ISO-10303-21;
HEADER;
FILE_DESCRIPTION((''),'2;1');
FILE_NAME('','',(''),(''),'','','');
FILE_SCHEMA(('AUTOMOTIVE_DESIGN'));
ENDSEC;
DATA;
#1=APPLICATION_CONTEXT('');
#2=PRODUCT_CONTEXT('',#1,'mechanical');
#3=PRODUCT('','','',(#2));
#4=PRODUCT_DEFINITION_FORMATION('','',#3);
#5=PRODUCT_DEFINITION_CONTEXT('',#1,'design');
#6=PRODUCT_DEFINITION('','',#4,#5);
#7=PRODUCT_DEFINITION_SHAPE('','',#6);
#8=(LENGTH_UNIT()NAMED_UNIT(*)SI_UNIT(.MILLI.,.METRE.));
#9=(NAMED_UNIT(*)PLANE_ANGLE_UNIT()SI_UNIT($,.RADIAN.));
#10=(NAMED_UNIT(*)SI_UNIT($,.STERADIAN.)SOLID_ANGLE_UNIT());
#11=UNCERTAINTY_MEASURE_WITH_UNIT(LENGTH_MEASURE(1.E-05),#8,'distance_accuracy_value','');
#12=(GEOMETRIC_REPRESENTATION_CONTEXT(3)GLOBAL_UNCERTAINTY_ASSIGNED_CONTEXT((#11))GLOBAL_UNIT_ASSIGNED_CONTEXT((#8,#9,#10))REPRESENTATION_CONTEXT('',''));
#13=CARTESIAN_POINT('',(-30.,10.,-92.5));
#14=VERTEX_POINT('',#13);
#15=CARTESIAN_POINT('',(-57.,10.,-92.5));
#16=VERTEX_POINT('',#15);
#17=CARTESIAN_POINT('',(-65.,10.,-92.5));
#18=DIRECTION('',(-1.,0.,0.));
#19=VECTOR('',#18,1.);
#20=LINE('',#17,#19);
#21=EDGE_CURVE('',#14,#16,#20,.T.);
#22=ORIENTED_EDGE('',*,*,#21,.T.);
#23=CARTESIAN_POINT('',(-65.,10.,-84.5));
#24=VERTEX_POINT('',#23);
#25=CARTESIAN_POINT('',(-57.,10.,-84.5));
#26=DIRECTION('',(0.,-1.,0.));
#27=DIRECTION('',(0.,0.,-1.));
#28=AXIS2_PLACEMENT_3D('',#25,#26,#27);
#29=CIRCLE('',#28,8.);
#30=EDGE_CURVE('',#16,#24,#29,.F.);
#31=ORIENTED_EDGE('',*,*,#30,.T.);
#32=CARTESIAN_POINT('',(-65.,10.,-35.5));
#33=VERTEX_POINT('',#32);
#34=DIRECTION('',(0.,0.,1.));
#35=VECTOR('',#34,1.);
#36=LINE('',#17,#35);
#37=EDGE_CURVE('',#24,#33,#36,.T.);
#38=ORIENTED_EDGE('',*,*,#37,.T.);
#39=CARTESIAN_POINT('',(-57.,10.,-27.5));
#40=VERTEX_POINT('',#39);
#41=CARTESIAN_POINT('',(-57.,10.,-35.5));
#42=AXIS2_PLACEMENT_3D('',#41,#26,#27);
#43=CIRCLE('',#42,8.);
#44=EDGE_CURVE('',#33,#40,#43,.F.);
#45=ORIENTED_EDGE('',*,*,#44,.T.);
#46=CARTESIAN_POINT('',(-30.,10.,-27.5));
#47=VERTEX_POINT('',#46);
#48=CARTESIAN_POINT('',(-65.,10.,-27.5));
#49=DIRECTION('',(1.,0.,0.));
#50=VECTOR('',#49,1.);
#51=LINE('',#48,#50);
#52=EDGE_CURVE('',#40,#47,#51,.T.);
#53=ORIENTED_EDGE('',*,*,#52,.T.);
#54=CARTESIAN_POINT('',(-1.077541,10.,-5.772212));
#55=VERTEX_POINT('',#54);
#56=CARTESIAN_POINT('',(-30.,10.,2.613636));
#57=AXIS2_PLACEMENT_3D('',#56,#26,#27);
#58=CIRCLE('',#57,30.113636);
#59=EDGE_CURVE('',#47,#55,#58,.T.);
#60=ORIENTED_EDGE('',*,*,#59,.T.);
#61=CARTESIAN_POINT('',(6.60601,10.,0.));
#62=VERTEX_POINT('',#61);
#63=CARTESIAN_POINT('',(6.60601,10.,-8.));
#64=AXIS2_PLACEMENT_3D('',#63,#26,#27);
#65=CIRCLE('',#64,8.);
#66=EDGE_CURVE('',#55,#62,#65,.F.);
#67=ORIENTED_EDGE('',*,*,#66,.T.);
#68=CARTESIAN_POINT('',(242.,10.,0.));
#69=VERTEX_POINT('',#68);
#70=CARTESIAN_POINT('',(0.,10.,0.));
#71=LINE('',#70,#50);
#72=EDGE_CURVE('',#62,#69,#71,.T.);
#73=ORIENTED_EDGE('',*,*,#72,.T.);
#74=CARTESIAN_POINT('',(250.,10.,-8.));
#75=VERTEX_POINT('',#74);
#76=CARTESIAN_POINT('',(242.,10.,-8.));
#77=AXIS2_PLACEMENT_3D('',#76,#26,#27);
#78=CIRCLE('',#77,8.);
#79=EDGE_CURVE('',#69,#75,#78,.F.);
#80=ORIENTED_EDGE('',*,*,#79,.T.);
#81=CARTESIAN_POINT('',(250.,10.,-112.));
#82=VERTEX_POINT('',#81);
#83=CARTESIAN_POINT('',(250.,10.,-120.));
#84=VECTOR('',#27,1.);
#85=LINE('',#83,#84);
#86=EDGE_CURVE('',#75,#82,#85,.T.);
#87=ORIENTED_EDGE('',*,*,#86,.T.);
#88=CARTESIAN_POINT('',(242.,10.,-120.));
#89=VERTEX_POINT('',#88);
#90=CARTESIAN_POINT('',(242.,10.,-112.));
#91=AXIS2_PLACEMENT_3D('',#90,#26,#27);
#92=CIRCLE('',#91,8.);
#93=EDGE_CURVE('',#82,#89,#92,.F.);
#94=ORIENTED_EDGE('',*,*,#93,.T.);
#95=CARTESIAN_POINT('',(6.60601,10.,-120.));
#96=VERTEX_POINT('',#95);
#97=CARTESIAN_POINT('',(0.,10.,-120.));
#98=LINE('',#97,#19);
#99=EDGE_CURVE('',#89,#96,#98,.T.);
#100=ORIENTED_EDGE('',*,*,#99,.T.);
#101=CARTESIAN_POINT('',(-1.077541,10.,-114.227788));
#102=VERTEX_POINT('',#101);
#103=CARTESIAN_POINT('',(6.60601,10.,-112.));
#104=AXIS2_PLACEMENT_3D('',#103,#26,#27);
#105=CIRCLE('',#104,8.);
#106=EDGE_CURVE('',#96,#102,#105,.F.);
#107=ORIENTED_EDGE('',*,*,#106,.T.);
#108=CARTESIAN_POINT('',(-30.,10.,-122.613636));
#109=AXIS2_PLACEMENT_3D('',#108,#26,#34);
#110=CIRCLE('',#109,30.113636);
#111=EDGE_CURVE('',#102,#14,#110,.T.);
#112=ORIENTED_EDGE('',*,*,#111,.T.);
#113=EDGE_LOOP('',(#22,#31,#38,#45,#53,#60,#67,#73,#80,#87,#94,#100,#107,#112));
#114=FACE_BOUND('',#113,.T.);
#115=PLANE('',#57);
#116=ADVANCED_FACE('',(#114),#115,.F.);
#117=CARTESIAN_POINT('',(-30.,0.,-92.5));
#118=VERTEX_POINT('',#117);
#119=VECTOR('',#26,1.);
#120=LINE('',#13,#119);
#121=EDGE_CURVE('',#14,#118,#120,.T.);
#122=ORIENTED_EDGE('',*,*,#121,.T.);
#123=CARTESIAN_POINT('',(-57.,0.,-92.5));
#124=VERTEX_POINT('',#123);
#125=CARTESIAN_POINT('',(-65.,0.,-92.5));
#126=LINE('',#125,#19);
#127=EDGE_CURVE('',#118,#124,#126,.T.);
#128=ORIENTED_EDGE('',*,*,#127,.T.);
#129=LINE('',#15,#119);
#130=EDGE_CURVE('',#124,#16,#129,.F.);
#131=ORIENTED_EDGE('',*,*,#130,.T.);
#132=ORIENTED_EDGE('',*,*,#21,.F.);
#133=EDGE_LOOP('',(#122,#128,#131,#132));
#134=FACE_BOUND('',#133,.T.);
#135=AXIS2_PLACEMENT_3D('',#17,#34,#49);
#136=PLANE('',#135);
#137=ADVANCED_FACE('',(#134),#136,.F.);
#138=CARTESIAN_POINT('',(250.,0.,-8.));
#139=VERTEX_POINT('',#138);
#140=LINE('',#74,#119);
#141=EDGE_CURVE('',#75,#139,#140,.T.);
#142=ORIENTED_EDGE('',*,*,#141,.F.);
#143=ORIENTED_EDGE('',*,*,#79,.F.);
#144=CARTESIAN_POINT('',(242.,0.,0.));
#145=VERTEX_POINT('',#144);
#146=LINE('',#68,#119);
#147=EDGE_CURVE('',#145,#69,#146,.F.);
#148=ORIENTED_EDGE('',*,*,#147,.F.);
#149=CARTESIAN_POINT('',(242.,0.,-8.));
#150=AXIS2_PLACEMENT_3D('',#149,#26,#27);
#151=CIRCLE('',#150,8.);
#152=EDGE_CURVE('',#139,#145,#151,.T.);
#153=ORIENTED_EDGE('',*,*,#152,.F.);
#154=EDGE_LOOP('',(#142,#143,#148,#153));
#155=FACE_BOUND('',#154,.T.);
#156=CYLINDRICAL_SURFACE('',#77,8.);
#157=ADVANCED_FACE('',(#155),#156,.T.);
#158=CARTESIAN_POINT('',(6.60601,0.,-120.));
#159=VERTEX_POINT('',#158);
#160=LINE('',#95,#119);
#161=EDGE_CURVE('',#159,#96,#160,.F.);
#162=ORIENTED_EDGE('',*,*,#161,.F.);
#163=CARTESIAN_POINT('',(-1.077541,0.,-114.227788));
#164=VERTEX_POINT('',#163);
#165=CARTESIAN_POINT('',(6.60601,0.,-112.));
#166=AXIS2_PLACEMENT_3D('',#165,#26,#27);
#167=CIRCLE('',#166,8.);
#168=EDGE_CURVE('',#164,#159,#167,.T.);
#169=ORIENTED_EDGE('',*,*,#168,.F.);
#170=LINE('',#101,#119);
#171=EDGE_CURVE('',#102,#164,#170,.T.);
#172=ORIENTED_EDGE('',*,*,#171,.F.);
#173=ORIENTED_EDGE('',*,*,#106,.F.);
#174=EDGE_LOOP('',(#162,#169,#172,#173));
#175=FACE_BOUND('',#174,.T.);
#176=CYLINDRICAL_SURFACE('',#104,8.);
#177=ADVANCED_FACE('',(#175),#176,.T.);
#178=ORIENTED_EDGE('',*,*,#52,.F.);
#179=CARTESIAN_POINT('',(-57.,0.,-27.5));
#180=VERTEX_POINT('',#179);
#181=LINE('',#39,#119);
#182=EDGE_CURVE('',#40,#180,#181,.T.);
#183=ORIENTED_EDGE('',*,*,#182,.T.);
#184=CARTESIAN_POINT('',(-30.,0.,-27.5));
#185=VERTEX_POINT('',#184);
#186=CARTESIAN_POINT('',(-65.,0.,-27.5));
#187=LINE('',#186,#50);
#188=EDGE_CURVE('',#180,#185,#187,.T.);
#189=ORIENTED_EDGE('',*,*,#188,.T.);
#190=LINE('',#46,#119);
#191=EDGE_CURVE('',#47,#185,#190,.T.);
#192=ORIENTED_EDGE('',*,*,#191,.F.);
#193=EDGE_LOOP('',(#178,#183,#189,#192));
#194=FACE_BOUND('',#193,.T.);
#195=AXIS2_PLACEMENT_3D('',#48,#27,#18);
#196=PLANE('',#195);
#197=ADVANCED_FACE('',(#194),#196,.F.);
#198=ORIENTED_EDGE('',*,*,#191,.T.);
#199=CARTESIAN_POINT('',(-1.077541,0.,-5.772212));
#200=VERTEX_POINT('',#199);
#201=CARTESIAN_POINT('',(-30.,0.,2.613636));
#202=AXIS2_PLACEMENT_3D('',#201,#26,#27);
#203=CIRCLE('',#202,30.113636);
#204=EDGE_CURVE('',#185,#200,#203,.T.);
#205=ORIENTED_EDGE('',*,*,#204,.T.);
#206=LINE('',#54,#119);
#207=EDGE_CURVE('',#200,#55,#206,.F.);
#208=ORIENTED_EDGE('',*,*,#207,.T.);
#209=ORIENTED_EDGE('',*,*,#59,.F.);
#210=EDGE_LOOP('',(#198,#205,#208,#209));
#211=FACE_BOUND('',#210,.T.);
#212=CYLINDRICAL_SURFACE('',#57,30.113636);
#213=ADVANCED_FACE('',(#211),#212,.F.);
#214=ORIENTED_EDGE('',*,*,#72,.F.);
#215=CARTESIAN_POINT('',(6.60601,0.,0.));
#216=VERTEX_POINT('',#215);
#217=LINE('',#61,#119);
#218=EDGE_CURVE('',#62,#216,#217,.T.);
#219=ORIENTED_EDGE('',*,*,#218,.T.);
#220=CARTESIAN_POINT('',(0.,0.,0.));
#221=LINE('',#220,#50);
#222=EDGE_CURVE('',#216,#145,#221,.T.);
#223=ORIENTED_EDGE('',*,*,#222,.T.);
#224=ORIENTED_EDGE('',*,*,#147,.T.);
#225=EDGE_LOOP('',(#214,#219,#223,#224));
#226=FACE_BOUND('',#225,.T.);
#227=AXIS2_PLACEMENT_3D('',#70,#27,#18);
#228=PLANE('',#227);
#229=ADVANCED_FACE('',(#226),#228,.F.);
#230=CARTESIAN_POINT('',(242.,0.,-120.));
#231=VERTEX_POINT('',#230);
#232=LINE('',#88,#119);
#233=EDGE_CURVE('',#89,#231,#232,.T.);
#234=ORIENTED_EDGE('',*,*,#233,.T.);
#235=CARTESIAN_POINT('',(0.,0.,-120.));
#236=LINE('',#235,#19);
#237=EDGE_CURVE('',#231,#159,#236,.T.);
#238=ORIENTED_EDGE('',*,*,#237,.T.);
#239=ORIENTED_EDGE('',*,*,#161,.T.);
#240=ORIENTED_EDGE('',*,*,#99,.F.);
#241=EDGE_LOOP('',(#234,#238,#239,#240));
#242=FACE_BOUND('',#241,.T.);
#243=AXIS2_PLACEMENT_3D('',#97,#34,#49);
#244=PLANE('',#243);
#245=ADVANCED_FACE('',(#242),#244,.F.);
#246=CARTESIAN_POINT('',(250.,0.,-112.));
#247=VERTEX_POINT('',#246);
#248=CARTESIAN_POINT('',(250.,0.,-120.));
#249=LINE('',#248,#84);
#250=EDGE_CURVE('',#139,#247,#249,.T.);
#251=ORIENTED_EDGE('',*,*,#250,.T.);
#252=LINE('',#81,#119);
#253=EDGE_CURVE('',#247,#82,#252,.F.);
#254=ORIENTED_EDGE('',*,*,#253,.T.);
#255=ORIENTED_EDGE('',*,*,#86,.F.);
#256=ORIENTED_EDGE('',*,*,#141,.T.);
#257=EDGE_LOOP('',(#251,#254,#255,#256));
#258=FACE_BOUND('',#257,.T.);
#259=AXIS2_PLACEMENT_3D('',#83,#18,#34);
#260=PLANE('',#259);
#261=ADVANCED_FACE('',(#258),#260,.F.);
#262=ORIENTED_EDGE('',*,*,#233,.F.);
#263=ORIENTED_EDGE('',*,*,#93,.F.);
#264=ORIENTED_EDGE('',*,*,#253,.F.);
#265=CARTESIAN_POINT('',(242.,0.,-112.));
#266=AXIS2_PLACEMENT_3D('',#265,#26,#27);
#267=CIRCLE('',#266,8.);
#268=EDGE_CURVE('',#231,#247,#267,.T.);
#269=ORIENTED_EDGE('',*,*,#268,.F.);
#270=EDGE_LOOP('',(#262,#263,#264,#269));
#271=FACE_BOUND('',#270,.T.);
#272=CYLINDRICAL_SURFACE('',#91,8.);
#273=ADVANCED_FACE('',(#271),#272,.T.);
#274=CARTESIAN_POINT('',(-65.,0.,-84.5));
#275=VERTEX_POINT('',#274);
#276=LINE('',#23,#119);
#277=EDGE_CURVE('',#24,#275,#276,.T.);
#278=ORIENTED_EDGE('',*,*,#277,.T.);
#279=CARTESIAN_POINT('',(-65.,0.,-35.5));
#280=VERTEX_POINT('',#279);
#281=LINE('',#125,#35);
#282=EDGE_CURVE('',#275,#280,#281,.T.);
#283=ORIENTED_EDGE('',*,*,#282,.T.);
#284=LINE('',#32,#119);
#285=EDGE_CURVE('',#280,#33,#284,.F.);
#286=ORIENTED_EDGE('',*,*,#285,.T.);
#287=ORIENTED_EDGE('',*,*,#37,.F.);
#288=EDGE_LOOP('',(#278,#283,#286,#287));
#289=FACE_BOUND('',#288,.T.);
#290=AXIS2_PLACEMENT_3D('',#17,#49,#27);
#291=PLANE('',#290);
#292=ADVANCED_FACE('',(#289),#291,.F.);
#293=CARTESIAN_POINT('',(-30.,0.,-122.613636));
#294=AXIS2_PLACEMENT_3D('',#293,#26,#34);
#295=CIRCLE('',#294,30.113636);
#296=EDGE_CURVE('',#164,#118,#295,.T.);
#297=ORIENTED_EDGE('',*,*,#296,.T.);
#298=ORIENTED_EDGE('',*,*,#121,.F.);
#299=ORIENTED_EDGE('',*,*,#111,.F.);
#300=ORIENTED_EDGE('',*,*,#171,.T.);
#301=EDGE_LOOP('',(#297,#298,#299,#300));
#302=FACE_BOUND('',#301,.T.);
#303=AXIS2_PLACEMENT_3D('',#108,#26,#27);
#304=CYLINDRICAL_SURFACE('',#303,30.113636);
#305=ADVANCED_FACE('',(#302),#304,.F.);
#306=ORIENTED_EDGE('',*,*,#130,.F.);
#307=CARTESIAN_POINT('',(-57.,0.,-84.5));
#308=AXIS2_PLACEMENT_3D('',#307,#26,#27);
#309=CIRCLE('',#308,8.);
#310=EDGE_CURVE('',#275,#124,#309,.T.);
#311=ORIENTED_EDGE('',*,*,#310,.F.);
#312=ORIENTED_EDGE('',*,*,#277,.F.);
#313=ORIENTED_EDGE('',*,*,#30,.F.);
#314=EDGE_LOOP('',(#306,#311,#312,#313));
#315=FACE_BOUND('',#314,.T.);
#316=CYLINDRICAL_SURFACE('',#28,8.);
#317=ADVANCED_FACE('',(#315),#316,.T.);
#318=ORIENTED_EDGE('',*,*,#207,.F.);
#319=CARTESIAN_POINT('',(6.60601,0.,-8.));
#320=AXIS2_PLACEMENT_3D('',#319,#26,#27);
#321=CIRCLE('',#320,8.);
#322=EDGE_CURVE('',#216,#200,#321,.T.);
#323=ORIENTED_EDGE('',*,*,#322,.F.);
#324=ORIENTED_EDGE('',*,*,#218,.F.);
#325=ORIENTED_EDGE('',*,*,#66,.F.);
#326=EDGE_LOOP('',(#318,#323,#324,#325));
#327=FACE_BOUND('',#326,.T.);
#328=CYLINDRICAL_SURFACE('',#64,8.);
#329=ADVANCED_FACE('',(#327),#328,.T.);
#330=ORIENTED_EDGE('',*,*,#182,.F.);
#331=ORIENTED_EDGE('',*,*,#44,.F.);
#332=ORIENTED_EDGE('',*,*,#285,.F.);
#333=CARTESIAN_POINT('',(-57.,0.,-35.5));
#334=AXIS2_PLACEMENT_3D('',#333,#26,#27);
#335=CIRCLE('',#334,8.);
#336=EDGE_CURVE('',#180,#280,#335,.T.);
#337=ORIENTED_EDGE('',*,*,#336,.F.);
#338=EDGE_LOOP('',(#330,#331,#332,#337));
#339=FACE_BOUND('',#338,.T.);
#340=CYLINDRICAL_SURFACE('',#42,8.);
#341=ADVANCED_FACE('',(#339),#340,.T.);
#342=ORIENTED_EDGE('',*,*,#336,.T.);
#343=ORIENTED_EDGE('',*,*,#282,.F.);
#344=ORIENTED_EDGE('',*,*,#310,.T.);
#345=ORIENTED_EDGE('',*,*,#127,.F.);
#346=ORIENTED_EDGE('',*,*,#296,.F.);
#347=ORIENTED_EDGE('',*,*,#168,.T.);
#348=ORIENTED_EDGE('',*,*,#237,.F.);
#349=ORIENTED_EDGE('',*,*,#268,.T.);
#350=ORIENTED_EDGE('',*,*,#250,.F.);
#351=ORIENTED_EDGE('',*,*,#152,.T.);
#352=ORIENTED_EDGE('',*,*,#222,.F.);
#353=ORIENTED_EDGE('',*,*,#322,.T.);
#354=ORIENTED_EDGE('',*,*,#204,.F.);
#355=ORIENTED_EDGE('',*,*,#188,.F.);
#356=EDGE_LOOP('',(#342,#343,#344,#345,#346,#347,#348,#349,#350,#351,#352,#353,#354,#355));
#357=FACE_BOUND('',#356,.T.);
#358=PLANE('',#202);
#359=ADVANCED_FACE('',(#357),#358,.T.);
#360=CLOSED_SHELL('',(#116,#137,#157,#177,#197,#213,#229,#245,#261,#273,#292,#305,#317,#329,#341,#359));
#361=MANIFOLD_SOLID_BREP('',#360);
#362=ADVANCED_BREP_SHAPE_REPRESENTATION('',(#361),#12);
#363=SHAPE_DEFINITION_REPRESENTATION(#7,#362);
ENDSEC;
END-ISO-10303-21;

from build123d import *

# Parameters (mm, degrees)
BOSS_EXTRUDE1_DEPTH = 10
FILLET1_R           = 8


with BuildPart() as part:
    # Sketch1 → Boss-Extrude1 (new body)
    with BuildSketch(Plane(origin=(0, 0, 0), x_dir=(1, 0, 0), z_dir=(0, 1, 0))):
        with BuildLine():
            Line((-65, 92.5), (-30, 92.5))
            ThreePointArc((-30, 92.5), (-9.651474255, 100.415244642), (0, 120))
            Line((0, 120), (250, 120))
            Line((250, 120), (250, 0))
            Line((250, 0), (0, 0))
            ThreePointArc((0, 0), (-9.651474255, 19.584755358), (-30, 27.5))
            Line((-30, 27.5), (-65, 27.5))
            Line((-65, 27.5), (-65, 92.5))
        make_face()
    extrude(amount=BOSS_EXTRUDE1_DEPTH)

    # Fillet1
    fillet1_edges = [part.edges().sort_by_distance(p)[0] for p in [
        (-65, 5, -92.5),
        (0, 5, -120),
        (250, 5, -120),
        (250, 5, 0),
        (0, 5, 0),
        (-65, 5, -27.5),
    ]]
    fillet(fillet1_edges, radius=FILLET1_R)


solid = part.part
